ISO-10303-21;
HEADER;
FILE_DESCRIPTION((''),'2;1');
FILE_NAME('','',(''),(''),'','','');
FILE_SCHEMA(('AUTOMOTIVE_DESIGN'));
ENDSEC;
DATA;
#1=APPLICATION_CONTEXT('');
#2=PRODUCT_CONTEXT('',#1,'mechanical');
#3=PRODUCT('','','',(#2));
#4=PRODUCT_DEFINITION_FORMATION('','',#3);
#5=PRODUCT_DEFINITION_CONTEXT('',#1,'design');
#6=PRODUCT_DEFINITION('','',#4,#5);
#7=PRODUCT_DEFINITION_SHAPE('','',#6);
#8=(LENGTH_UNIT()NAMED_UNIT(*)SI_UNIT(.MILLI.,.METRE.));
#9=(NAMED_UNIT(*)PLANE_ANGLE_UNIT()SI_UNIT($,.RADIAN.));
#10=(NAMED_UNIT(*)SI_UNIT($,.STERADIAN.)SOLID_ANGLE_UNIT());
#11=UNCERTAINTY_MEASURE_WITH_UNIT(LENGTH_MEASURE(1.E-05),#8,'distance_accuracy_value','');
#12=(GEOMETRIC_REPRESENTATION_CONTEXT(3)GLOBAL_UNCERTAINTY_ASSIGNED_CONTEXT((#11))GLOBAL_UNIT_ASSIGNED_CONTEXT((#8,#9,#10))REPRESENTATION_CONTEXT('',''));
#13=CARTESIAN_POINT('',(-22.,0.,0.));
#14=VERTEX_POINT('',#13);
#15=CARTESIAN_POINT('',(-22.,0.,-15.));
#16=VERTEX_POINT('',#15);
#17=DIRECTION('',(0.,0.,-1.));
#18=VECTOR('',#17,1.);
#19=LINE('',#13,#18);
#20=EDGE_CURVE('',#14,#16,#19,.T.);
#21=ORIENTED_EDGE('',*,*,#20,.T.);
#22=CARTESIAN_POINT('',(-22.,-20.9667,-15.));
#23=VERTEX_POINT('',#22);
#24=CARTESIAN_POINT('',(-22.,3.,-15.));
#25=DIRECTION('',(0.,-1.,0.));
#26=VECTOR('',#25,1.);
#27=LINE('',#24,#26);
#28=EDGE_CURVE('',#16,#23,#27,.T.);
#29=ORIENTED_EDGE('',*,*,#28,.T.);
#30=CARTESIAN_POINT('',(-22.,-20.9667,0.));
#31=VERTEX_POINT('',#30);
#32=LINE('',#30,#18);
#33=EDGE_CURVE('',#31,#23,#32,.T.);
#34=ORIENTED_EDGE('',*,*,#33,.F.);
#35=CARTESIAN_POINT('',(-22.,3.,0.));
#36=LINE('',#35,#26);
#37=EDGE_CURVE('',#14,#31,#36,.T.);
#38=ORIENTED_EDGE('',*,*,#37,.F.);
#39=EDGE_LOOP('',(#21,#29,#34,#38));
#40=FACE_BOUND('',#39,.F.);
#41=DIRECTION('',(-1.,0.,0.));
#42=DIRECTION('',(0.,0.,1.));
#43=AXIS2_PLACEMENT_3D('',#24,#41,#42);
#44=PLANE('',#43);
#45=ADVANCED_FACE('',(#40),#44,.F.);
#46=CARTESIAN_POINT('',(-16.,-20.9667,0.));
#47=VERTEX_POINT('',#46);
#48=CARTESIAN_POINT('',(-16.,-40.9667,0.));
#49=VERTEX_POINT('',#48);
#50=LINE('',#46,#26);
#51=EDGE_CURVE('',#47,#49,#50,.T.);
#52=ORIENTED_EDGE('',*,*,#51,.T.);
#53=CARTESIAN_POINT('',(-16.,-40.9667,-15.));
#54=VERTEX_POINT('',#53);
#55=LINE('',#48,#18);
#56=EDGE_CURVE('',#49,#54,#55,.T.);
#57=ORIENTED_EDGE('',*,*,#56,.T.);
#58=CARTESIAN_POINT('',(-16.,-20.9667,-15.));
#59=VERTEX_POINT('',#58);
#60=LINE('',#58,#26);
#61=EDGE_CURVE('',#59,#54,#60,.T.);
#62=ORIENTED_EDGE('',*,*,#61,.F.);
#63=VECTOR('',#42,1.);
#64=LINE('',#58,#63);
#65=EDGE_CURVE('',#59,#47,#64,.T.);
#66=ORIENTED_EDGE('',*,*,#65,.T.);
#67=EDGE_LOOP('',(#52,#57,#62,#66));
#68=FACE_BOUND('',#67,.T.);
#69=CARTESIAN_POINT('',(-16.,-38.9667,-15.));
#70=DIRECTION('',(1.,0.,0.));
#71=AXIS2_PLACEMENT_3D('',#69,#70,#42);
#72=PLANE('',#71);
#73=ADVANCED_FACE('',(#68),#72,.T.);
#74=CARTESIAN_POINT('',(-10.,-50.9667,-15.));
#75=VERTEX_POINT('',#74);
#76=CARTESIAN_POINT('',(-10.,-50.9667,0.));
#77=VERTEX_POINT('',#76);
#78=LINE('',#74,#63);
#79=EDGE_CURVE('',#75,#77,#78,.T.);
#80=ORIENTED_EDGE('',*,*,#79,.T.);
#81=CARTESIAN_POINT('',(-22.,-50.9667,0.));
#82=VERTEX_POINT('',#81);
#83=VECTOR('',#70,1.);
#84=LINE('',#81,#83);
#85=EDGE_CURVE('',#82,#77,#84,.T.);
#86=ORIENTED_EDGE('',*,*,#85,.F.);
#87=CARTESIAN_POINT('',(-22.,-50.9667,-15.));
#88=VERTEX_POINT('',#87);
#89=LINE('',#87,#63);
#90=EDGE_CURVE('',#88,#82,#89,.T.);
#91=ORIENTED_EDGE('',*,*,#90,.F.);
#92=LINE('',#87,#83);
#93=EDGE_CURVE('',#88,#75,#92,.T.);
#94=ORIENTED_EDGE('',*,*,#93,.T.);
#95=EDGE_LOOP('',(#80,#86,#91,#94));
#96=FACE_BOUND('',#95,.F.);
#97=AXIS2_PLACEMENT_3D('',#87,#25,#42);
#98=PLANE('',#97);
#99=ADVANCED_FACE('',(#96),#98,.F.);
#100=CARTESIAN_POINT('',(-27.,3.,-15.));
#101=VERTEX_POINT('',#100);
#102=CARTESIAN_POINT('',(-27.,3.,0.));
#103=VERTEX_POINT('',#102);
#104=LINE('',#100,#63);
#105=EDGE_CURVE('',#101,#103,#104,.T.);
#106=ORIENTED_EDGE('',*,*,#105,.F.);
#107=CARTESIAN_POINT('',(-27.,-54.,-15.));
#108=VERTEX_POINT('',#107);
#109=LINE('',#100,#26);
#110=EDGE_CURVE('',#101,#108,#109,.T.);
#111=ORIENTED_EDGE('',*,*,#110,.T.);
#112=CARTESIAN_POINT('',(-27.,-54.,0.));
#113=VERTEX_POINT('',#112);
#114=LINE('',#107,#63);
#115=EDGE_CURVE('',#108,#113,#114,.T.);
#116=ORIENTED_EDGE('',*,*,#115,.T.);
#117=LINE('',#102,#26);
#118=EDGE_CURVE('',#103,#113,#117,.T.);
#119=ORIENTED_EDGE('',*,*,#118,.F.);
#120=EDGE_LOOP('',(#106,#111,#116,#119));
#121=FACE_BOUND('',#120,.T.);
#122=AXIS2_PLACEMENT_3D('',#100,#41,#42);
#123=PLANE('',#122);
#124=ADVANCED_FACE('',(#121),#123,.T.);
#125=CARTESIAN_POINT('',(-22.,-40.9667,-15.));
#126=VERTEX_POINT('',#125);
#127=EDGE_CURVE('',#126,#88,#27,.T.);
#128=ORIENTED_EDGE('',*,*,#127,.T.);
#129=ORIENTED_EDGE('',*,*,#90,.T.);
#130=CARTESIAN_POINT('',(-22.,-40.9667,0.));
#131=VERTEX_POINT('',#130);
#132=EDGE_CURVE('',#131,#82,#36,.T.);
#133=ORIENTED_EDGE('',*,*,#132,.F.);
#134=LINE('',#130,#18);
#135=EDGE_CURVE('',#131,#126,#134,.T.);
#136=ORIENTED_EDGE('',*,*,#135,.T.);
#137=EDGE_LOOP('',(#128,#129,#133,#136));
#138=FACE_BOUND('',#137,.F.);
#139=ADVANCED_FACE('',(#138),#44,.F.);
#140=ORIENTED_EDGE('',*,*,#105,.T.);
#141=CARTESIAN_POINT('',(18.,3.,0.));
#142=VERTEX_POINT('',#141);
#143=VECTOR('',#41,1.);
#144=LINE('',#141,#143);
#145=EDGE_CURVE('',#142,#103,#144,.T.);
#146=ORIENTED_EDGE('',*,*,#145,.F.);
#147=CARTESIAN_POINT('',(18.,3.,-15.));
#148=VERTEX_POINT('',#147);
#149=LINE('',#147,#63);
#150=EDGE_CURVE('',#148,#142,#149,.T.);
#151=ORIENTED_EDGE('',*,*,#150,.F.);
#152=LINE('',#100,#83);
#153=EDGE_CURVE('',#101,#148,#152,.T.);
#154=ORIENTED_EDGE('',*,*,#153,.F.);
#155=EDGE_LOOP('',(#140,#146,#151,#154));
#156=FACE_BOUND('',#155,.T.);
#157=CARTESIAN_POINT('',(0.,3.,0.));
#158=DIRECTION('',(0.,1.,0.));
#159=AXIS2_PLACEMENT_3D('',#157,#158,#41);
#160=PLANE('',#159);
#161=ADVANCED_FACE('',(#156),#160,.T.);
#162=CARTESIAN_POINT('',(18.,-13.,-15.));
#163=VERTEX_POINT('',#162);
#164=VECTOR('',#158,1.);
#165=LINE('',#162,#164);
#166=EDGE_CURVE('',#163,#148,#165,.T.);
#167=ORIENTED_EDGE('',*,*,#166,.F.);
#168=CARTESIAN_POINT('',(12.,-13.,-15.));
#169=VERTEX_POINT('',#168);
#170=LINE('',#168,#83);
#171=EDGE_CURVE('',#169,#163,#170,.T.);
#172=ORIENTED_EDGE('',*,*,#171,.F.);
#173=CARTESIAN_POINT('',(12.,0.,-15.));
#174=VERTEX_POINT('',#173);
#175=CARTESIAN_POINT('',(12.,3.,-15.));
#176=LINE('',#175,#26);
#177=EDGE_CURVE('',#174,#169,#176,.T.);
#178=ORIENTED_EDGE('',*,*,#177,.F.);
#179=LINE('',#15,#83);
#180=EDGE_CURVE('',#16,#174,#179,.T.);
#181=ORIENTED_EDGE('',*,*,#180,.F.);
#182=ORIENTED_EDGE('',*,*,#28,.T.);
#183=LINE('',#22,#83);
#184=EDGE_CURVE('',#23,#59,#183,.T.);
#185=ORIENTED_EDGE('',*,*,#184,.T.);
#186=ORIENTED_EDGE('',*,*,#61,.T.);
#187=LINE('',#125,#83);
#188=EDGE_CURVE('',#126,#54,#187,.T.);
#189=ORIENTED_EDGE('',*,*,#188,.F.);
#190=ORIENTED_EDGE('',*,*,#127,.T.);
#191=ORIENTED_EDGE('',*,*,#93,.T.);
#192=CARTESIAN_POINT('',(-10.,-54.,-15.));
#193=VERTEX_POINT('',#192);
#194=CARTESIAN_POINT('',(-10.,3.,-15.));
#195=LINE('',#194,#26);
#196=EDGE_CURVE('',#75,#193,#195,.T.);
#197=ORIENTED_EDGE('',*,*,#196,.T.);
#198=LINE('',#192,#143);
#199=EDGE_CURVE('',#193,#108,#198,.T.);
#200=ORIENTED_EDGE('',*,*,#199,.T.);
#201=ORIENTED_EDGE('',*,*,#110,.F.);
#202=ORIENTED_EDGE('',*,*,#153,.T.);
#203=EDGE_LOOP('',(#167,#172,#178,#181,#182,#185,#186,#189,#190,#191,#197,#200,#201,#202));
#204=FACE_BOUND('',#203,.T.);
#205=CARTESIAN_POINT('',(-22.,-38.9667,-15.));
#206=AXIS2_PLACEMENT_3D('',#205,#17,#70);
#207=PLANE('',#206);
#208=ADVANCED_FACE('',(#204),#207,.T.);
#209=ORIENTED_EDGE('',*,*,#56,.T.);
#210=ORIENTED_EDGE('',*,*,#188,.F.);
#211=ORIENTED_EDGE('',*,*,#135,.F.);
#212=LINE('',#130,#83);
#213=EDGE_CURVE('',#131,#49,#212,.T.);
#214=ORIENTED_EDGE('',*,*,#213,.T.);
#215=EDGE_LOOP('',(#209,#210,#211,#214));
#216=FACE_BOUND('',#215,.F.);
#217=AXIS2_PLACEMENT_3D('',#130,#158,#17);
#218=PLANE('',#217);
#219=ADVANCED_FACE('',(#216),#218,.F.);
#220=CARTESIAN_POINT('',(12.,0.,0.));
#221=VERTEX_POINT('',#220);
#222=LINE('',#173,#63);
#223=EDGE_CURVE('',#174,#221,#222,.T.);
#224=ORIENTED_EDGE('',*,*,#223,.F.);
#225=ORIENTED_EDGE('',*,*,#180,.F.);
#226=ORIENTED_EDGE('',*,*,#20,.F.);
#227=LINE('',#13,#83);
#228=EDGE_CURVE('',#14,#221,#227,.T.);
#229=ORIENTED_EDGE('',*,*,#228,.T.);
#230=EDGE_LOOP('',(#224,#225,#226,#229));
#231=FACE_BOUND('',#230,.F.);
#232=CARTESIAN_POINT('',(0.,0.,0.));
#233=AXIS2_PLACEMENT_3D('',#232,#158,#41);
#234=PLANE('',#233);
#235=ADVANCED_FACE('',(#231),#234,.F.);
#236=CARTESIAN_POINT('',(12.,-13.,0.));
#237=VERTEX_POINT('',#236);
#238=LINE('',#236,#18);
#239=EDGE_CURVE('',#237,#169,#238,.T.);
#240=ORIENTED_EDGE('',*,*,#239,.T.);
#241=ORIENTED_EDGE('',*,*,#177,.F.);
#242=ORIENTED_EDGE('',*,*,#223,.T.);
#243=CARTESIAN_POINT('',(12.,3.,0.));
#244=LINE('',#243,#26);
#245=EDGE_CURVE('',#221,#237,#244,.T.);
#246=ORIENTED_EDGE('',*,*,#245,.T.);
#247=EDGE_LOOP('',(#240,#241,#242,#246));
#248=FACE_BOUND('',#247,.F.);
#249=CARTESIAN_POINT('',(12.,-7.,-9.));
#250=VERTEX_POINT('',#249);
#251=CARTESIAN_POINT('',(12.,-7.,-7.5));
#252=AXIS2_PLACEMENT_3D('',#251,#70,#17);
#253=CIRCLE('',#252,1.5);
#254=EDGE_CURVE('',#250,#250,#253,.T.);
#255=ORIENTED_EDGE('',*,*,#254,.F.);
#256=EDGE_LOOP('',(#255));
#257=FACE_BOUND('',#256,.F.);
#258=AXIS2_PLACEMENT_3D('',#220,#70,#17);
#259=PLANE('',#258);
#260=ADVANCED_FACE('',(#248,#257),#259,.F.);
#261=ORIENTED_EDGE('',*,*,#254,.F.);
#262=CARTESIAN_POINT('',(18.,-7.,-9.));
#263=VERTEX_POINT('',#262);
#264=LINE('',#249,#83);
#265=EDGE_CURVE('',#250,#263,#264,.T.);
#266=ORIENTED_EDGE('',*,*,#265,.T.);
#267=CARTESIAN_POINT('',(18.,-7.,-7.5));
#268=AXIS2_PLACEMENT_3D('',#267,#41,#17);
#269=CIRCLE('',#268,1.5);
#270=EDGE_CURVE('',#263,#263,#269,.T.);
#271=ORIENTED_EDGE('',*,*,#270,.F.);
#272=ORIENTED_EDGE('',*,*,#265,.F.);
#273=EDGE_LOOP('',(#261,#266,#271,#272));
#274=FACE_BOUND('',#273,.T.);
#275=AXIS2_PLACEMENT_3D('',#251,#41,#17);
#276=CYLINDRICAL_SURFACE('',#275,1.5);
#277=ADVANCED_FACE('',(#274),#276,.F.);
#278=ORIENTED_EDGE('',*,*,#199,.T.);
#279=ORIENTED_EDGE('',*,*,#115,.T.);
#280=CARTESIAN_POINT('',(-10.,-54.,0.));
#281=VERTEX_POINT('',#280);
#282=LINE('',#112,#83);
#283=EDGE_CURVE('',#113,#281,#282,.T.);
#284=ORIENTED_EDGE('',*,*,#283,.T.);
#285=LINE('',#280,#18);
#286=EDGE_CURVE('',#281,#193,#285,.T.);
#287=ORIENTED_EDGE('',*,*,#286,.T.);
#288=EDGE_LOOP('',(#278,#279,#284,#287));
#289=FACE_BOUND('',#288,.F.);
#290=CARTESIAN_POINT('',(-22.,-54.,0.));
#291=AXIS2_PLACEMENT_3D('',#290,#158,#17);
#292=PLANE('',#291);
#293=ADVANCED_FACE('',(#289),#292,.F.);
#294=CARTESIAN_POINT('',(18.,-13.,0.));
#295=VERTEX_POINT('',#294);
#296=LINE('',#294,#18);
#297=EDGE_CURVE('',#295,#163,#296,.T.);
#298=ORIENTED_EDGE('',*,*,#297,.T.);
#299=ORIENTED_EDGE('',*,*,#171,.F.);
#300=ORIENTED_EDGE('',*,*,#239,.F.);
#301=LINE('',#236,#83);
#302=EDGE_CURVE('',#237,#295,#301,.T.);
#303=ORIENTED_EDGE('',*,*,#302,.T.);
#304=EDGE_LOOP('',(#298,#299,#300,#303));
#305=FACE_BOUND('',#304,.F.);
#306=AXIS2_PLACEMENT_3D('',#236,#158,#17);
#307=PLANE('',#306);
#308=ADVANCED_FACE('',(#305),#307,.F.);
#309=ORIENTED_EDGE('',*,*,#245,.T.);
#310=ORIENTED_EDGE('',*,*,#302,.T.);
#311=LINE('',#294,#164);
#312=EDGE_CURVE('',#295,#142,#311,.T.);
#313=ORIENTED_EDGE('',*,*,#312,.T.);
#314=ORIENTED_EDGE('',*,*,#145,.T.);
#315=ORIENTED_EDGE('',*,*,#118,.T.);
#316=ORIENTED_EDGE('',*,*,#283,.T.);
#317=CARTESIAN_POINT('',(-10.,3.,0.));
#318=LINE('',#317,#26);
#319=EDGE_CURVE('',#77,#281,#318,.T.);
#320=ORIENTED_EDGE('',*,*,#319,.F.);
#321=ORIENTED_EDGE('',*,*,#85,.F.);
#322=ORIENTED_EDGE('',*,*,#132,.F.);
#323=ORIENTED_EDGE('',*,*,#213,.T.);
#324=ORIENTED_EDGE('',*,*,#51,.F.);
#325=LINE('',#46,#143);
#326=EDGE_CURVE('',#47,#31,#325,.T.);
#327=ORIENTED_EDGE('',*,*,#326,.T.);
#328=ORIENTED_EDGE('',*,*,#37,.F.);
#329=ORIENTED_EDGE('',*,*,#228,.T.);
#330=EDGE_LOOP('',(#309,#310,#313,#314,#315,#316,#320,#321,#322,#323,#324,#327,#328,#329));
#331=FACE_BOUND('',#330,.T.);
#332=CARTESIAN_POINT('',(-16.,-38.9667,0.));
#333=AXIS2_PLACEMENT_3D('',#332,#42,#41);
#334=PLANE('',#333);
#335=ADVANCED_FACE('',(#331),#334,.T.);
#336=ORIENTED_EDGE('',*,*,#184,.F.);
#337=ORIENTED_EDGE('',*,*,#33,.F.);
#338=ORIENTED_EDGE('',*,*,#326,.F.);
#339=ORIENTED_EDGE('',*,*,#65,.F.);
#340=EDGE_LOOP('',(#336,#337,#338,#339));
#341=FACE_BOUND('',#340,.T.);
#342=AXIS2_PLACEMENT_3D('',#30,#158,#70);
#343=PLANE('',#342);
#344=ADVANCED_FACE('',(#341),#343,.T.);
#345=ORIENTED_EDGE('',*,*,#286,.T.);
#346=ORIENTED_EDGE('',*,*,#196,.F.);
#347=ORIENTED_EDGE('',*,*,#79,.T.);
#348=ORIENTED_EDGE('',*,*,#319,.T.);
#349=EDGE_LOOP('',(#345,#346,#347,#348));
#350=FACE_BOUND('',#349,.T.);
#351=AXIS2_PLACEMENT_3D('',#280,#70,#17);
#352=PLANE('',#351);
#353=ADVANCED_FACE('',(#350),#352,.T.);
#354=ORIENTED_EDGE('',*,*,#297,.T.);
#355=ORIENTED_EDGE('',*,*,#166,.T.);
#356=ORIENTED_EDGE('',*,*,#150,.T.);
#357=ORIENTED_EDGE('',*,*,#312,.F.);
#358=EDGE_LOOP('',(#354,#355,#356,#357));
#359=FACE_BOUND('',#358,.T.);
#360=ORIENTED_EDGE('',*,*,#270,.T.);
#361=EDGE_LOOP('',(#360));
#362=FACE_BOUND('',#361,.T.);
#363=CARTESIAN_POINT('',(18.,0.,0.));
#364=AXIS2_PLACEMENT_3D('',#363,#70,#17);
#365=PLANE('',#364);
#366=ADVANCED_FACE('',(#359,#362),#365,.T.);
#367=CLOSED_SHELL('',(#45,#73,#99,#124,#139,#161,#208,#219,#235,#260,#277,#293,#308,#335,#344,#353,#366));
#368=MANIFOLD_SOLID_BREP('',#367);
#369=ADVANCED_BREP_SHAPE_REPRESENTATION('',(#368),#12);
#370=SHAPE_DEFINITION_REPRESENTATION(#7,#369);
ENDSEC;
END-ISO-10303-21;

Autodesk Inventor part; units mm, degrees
ref_plane "YZ Plane" through (0, 0, 0) normal (1, 0, 0) x (0, 1, 0)
ref_plane "XZ Plane" through (0, 0, 0) normal (0, 1, 0) x (-1, 0, 0)
ref_plane "XY Plane" through (0, 0, 0) normal (0, 0, 1) x (1, 0, 0)
sketch "Boceto1" plane through (0, 0, 0) normal (0, 1, 0) x (-1, 0, 0)
  line L0 (0, 0) -> (22, 0)
  line L1 (22, 0) -> (22, -15)
  line L2 (22, -15) -> (0, -15)
  line L3 (0, -15) -> (-12, -15)
  line L4 (-12, -15) -> (-12, 0)
  line L5 (-12, 0) -> (0, 0)
  dimension "d15" = 12
extrude "Extrusión1" add sketch "Boceto1" along normal blind 3
sketch "Boceto3" plane through (0, 3, 0) normal (0, 1, 0) x (1, 0, 0)
  line L0 (-22, 15) -> (-22, 0) projected
  line L1 (-22, 15) -> (-27, 15)
  line L2 (-27, 15) -> (-27, 0)
  line L3 (-27, 0) -> (-22, 0)
  line L4 (-22, 0) -> (-22, 15)
  point P0 (0, 0)
  dimension "d4" = 5
extrude "Extrusión2" add sketch "Boceto3" against normal blind 57
sketch "Boceto4" plane through (-22, -54, 0) normal (1, 0, 0) x (0, 0, -1)
  point P0 (0, 54)
sketch "Boceto5" plane through (-22, -54, 0) normal (1, 0, 0) x (0, 0, -1)
  line L0 (0, 57) -> (0, 0) projected
  line L1 (15, 57) -> (15, 0) projected
  line L2 (0, 0) -> (15, 0)
  line L3 (15, 0) -> (15, 3.0333)
  line L4 (15, 3.0333) -> (0, 3.0333)
  line L5 (0, 3.0333) -> (0, 0)
  point P0 (0, 54)
extrude "Extrusión3" add sketch "Boceto5" along normal blind 12
sketch "Boceto7" plane through (12, 0, 0) normal (1, 0, 0) x (0, 0, -1)
  line L0 (0, 0) -> (0, -50.9667) projected
  line L1 (0, 3) -> (0, 0)
  line L2 (0, 0) -> (0, -7)
  line L3 (0, -7) -> (10.8666, -7)
  line L4 (0, -7) -> (0, -13)
  line L5 (0, -13) -> (15, -13)
  line L6 (15, 0) -> (15, -50.9667) projected
  line L7 (15, 3) -> (15, -54) projected
  line L8 (15, 3) -> (15, -13)
  line L9 (15, 3) -> (0, 3) projected
  line L10 (15, 3) -> (0, 3)
  line L11 (0, 3) -> (0, -13)
  line L12 (0, -7) -> (15, -7)
  circle A0 centre (7.5, -7) radius 1.5
  dimension "d16" = 7
  dimension "d17" = 6
  dimension "d18" = 3
extrude "Extrusión5" add sketch "Boceto7" along normal blind 6 contours L1 L9 L7 L6 L12 L3 A0 L0 | L3 A0 L12 L6 L5 L0
sketch "Boceto8" plane through (-22, 0, 0) normal (1, 0, 0) x (0, 0, -1)
  line L0 (15, -50.9667) -> (0, -50.9667) projected
  line L1 (0, -50.9667) -> (0, -40.9667)
  line L2 (0, 0) -> (0, -50.9667) projected
  line L3 (0, -40.9667) -> (0, -38.9667)
  line L4 (0, -38.9667) -> (15, -38.9667)
  line L5 (15, 0) -> (15, -50.9667) projected
  line L6 (0, -40.9667) -> (15, -40.9667)
  line L7 (15, -40.9667) -> (15, -38.9667)
  dimension "d21" = 10
  dimension "d22" = 2
extrude "Extrusión6" add sketch "Boceto8" along normal blind 6 contours L6 L2 L4 L5
sketch "Boceto9" plane through (-22, -38.9667, 0) normal (0, 1, 0) x (1, 0, 0)
  line L0 (0, 0) -> (0, 15) projected
  line L1 (0, 0) -> (0, 15)
  line L2 (6, 15) -> (6, 0) projected
  line L3 (0, 15) -> (6, 15)
  line L4 (6, 15) -> (6, 0)
  line L5 (0, 15) -> (0, 0) projected
  line L6 (6, 0) -> (0, 0)
  point P0 (22, 0)
extrude "Extrusión7" add sketch "Boceto9" along normal blind 18
properties part number "agarre motor"
